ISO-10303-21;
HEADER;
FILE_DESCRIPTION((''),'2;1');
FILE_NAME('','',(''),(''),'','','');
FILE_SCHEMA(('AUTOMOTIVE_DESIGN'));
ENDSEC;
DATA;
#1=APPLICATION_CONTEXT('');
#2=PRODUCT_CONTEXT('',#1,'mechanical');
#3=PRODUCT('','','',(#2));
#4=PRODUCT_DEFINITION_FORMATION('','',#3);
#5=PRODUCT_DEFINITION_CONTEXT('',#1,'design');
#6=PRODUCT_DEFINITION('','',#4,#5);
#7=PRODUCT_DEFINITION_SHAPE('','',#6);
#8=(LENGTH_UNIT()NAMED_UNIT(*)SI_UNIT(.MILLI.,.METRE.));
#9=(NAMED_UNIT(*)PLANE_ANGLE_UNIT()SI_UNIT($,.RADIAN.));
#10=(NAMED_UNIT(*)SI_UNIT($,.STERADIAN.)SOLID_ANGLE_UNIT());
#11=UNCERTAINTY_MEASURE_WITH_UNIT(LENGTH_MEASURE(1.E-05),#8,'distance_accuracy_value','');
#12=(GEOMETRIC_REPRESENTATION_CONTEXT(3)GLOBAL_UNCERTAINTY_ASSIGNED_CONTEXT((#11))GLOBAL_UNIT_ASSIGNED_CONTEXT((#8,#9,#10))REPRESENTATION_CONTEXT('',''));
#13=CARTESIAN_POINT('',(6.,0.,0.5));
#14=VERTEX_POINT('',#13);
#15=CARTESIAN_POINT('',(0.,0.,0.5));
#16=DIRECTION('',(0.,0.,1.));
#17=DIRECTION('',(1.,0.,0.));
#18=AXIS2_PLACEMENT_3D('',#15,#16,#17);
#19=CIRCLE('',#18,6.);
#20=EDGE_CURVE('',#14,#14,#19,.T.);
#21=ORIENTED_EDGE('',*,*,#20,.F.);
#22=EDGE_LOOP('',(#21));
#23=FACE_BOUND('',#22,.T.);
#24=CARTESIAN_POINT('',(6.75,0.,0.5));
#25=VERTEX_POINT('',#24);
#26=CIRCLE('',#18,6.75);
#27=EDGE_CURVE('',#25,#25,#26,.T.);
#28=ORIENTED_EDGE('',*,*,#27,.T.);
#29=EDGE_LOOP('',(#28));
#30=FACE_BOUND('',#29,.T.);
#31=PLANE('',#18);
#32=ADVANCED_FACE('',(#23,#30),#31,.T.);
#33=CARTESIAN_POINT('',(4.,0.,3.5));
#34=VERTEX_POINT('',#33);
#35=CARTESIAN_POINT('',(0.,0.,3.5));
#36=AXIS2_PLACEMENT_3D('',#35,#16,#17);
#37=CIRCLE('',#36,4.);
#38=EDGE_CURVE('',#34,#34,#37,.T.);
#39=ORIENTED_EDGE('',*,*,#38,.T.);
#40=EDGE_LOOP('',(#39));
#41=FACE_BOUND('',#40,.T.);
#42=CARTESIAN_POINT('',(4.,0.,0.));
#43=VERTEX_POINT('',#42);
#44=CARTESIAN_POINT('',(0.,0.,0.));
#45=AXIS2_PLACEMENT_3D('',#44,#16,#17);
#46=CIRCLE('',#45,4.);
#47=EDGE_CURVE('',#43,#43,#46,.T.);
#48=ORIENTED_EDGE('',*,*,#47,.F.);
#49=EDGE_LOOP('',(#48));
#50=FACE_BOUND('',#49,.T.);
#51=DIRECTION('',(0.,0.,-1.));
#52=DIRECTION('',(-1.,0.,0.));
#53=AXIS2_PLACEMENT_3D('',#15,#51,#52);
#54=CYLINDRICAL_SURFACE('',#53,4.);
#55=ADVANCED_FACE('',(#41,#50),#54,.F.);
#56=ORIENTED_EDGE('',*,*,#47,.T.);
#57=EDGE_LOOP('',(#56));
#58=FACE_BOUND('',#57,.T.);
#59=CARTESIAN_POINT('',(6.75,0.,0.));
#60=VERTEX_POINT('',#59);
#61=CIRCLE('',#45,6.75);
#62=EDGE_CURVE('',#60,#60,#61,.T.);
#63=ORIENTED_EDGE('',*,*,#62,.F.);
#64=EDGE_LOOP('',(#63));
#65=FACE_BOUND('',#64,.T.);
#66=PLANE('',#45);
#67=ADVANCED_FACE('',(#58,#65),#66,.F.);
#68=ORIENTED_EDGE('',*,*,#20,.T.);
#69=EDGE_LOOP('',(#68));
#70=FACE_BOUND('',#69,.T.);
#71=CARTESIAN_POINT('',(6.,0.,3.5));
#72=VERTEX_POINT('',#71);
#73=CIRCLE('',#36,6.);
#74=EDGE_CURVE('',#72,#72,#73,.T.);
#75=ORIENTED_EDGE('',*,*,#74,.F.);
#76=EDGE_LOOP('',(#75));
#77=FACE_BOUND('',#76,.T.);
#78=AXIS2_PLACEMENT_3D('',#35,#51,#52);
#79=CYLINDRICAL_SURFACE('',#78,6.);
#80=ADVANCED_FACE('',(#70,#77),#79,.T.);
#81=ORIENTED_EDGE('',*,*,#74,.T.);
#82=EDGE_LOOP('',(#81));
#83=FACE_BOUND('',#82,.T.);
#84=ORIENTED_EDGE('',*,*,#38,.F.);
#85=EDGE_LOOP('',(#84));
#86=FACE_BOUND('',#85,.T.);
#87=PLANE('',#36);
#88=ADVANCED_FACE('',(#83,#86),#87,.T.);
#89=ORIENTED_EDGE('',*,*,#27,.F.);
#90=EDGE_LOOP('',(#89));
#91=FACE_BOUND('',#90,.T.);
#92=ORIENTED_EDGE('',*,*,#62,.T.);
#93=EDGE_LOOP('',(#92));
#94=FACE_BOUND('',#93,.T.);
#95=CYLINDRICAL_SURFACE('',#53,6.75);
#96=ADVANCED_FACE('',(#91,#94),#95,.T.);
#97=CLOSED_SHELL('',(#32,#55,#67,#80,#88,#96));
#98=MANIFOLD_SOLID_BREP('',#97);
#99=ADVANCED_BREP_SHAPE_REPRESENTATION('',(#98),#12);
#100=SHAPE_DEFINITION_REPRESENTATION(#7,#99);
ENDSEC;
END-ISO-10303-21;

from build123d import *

# Parameters (mm, degrees)
SKETCH1_R           = 6.75
SKETCH1_R_2         = 4
BOSS_EXTRUDE1_DEPTH = 0.5
SKETCH2_R           = 6
SKETCH2_R_2         = 4
BOSS_EXTRUDE2_DEPTH = 3


with BuildPart() as part:
    # Sketch1 → Boss-Extrude1 (new body)
    with BuildSketch(Plane.XY):
        Circle(SKETCH1_R)
        Circle(SKETCH1_R_2, mode=Mode.SUBTRACT)
    extrude(amount=BOSS_EXTRUDE1_DEPTH)

    # Sketch2 → Boss-Extrude2 (add)
    with BuildSketch(Plane.XY.offset(0.5)):
        Circle(SKETCH2_R)
        Circle(SKETCH2_R_2, mode=Mode.SUBTRACT)
    extrude(amount=BOSS_EXTRUDE2_DEPTH)


solid = part.part
